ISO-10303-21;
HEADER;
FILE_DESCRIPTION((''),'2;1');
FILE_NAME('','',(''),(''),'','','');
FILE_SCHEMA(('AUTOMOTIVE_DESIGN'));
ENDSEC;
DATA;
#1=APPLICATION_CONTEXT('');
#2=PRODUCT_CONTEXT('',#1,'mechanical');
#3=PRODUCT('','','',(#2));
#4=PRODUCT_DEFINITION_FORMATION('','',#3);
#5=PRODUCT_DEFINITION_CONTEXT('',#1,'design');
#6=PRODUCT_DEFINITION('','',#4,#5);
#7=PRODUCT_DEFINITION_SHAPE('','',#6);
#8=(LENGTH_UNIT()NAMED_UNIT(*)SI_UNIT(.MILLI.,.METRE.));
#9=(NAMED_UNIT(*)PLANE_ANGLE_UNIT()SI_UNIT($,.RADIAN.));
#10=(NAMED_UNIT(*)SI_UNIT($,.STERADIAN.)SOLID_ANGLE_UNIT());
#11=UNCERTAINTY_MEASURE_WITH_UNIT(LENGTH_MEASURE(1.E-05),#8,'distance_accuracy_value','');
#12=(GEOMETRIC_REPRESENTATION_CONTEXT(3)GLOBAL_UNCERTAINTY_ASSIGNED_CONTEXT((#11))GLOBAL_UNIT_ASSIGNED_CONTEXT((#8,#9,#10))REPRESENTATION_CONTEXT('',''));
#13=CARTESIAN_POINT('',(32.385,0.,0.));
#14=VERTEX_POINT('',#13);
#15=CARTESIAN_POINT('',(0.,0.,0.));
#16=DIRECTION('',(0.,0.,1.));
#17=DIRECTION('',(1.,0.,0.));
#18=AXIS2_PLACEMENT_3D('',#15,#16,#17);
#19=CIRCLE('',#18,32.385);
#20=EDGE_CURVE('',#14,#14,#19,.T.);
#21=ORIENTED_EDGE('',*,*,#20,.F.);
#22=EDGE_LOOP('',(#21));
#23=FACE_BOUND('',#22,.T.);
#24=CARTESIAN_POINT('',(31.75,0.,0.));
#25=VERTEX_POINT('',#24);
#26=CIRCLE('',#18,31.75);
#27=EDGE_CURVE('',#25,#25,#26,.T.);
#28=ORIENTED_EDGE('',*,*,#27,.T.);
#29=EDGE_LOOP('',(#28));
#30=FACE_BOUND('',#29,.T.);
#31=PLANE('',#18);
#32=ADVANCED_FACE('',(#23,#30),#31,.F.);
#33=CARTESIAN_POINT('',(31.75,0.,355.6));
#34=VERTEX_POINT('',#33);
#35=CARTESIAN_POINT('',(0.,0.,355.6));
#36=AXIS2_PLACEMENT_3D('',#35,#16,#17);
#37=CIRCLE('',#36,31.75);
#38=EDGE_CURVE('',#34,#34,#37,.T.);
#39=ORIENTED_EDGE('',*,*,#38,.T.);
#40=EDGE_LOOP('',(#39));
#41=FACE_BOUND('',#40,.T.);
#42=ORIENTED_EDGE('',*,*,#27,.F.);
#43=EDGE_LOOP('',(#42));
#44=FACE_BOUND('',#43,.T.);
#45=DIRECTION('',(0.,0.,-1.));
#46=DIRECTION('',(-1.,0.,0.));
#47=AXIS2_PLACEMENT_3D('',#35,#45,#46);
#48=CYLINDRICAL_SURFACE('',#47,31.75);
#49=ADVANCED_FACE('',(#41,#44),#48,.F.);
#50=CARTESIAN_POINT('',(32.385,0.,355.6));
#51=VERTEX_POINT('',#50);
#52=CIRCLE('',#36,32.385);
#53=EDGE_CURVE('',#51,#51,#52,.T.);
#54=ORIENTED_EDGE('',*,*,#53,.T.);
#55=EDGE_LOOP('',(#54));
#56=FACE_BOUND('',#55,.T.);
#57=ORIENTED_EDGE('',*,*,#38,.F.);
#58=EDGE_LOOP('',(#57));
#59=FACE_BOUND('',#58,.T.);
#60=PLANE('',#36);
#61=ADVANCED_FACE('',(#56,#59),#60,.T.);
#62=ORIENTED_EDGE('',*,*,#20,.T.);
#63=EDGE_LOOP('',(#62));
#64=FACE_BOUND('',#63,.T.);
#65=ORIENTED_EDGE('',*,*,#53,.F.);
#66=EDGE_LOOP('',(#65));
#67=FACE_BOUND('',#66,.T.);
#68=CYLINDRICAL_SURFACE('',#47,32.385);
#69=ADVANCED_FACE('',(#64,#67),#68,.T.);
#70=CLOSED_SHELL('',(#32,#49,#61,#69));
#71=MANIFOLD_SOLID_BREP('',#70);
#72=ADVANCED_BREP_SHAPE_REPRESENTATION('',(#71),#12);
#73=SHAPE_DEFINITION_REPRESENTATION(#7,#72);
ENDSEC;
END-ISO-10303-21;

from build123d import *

# Parameters (mm, degrees)
SKETCH1_R           = 32.385
SKETCH1_R_2         = 31.75
BOSS_EXTRUDE1_DEPTH = 355.6


with BuildPart() as part:
    # Sketch1 → Boss-Extrude1 (new body)
    with BuildSketch(Plane.XY):
        Circle(SKETCH1_R)
        Circle(SKETCH1_R_2, mode=Mode.SUBTRACT)
    extrude(amount=BOSS_EXTRUDE1_DEPTH)


solid = part.part
